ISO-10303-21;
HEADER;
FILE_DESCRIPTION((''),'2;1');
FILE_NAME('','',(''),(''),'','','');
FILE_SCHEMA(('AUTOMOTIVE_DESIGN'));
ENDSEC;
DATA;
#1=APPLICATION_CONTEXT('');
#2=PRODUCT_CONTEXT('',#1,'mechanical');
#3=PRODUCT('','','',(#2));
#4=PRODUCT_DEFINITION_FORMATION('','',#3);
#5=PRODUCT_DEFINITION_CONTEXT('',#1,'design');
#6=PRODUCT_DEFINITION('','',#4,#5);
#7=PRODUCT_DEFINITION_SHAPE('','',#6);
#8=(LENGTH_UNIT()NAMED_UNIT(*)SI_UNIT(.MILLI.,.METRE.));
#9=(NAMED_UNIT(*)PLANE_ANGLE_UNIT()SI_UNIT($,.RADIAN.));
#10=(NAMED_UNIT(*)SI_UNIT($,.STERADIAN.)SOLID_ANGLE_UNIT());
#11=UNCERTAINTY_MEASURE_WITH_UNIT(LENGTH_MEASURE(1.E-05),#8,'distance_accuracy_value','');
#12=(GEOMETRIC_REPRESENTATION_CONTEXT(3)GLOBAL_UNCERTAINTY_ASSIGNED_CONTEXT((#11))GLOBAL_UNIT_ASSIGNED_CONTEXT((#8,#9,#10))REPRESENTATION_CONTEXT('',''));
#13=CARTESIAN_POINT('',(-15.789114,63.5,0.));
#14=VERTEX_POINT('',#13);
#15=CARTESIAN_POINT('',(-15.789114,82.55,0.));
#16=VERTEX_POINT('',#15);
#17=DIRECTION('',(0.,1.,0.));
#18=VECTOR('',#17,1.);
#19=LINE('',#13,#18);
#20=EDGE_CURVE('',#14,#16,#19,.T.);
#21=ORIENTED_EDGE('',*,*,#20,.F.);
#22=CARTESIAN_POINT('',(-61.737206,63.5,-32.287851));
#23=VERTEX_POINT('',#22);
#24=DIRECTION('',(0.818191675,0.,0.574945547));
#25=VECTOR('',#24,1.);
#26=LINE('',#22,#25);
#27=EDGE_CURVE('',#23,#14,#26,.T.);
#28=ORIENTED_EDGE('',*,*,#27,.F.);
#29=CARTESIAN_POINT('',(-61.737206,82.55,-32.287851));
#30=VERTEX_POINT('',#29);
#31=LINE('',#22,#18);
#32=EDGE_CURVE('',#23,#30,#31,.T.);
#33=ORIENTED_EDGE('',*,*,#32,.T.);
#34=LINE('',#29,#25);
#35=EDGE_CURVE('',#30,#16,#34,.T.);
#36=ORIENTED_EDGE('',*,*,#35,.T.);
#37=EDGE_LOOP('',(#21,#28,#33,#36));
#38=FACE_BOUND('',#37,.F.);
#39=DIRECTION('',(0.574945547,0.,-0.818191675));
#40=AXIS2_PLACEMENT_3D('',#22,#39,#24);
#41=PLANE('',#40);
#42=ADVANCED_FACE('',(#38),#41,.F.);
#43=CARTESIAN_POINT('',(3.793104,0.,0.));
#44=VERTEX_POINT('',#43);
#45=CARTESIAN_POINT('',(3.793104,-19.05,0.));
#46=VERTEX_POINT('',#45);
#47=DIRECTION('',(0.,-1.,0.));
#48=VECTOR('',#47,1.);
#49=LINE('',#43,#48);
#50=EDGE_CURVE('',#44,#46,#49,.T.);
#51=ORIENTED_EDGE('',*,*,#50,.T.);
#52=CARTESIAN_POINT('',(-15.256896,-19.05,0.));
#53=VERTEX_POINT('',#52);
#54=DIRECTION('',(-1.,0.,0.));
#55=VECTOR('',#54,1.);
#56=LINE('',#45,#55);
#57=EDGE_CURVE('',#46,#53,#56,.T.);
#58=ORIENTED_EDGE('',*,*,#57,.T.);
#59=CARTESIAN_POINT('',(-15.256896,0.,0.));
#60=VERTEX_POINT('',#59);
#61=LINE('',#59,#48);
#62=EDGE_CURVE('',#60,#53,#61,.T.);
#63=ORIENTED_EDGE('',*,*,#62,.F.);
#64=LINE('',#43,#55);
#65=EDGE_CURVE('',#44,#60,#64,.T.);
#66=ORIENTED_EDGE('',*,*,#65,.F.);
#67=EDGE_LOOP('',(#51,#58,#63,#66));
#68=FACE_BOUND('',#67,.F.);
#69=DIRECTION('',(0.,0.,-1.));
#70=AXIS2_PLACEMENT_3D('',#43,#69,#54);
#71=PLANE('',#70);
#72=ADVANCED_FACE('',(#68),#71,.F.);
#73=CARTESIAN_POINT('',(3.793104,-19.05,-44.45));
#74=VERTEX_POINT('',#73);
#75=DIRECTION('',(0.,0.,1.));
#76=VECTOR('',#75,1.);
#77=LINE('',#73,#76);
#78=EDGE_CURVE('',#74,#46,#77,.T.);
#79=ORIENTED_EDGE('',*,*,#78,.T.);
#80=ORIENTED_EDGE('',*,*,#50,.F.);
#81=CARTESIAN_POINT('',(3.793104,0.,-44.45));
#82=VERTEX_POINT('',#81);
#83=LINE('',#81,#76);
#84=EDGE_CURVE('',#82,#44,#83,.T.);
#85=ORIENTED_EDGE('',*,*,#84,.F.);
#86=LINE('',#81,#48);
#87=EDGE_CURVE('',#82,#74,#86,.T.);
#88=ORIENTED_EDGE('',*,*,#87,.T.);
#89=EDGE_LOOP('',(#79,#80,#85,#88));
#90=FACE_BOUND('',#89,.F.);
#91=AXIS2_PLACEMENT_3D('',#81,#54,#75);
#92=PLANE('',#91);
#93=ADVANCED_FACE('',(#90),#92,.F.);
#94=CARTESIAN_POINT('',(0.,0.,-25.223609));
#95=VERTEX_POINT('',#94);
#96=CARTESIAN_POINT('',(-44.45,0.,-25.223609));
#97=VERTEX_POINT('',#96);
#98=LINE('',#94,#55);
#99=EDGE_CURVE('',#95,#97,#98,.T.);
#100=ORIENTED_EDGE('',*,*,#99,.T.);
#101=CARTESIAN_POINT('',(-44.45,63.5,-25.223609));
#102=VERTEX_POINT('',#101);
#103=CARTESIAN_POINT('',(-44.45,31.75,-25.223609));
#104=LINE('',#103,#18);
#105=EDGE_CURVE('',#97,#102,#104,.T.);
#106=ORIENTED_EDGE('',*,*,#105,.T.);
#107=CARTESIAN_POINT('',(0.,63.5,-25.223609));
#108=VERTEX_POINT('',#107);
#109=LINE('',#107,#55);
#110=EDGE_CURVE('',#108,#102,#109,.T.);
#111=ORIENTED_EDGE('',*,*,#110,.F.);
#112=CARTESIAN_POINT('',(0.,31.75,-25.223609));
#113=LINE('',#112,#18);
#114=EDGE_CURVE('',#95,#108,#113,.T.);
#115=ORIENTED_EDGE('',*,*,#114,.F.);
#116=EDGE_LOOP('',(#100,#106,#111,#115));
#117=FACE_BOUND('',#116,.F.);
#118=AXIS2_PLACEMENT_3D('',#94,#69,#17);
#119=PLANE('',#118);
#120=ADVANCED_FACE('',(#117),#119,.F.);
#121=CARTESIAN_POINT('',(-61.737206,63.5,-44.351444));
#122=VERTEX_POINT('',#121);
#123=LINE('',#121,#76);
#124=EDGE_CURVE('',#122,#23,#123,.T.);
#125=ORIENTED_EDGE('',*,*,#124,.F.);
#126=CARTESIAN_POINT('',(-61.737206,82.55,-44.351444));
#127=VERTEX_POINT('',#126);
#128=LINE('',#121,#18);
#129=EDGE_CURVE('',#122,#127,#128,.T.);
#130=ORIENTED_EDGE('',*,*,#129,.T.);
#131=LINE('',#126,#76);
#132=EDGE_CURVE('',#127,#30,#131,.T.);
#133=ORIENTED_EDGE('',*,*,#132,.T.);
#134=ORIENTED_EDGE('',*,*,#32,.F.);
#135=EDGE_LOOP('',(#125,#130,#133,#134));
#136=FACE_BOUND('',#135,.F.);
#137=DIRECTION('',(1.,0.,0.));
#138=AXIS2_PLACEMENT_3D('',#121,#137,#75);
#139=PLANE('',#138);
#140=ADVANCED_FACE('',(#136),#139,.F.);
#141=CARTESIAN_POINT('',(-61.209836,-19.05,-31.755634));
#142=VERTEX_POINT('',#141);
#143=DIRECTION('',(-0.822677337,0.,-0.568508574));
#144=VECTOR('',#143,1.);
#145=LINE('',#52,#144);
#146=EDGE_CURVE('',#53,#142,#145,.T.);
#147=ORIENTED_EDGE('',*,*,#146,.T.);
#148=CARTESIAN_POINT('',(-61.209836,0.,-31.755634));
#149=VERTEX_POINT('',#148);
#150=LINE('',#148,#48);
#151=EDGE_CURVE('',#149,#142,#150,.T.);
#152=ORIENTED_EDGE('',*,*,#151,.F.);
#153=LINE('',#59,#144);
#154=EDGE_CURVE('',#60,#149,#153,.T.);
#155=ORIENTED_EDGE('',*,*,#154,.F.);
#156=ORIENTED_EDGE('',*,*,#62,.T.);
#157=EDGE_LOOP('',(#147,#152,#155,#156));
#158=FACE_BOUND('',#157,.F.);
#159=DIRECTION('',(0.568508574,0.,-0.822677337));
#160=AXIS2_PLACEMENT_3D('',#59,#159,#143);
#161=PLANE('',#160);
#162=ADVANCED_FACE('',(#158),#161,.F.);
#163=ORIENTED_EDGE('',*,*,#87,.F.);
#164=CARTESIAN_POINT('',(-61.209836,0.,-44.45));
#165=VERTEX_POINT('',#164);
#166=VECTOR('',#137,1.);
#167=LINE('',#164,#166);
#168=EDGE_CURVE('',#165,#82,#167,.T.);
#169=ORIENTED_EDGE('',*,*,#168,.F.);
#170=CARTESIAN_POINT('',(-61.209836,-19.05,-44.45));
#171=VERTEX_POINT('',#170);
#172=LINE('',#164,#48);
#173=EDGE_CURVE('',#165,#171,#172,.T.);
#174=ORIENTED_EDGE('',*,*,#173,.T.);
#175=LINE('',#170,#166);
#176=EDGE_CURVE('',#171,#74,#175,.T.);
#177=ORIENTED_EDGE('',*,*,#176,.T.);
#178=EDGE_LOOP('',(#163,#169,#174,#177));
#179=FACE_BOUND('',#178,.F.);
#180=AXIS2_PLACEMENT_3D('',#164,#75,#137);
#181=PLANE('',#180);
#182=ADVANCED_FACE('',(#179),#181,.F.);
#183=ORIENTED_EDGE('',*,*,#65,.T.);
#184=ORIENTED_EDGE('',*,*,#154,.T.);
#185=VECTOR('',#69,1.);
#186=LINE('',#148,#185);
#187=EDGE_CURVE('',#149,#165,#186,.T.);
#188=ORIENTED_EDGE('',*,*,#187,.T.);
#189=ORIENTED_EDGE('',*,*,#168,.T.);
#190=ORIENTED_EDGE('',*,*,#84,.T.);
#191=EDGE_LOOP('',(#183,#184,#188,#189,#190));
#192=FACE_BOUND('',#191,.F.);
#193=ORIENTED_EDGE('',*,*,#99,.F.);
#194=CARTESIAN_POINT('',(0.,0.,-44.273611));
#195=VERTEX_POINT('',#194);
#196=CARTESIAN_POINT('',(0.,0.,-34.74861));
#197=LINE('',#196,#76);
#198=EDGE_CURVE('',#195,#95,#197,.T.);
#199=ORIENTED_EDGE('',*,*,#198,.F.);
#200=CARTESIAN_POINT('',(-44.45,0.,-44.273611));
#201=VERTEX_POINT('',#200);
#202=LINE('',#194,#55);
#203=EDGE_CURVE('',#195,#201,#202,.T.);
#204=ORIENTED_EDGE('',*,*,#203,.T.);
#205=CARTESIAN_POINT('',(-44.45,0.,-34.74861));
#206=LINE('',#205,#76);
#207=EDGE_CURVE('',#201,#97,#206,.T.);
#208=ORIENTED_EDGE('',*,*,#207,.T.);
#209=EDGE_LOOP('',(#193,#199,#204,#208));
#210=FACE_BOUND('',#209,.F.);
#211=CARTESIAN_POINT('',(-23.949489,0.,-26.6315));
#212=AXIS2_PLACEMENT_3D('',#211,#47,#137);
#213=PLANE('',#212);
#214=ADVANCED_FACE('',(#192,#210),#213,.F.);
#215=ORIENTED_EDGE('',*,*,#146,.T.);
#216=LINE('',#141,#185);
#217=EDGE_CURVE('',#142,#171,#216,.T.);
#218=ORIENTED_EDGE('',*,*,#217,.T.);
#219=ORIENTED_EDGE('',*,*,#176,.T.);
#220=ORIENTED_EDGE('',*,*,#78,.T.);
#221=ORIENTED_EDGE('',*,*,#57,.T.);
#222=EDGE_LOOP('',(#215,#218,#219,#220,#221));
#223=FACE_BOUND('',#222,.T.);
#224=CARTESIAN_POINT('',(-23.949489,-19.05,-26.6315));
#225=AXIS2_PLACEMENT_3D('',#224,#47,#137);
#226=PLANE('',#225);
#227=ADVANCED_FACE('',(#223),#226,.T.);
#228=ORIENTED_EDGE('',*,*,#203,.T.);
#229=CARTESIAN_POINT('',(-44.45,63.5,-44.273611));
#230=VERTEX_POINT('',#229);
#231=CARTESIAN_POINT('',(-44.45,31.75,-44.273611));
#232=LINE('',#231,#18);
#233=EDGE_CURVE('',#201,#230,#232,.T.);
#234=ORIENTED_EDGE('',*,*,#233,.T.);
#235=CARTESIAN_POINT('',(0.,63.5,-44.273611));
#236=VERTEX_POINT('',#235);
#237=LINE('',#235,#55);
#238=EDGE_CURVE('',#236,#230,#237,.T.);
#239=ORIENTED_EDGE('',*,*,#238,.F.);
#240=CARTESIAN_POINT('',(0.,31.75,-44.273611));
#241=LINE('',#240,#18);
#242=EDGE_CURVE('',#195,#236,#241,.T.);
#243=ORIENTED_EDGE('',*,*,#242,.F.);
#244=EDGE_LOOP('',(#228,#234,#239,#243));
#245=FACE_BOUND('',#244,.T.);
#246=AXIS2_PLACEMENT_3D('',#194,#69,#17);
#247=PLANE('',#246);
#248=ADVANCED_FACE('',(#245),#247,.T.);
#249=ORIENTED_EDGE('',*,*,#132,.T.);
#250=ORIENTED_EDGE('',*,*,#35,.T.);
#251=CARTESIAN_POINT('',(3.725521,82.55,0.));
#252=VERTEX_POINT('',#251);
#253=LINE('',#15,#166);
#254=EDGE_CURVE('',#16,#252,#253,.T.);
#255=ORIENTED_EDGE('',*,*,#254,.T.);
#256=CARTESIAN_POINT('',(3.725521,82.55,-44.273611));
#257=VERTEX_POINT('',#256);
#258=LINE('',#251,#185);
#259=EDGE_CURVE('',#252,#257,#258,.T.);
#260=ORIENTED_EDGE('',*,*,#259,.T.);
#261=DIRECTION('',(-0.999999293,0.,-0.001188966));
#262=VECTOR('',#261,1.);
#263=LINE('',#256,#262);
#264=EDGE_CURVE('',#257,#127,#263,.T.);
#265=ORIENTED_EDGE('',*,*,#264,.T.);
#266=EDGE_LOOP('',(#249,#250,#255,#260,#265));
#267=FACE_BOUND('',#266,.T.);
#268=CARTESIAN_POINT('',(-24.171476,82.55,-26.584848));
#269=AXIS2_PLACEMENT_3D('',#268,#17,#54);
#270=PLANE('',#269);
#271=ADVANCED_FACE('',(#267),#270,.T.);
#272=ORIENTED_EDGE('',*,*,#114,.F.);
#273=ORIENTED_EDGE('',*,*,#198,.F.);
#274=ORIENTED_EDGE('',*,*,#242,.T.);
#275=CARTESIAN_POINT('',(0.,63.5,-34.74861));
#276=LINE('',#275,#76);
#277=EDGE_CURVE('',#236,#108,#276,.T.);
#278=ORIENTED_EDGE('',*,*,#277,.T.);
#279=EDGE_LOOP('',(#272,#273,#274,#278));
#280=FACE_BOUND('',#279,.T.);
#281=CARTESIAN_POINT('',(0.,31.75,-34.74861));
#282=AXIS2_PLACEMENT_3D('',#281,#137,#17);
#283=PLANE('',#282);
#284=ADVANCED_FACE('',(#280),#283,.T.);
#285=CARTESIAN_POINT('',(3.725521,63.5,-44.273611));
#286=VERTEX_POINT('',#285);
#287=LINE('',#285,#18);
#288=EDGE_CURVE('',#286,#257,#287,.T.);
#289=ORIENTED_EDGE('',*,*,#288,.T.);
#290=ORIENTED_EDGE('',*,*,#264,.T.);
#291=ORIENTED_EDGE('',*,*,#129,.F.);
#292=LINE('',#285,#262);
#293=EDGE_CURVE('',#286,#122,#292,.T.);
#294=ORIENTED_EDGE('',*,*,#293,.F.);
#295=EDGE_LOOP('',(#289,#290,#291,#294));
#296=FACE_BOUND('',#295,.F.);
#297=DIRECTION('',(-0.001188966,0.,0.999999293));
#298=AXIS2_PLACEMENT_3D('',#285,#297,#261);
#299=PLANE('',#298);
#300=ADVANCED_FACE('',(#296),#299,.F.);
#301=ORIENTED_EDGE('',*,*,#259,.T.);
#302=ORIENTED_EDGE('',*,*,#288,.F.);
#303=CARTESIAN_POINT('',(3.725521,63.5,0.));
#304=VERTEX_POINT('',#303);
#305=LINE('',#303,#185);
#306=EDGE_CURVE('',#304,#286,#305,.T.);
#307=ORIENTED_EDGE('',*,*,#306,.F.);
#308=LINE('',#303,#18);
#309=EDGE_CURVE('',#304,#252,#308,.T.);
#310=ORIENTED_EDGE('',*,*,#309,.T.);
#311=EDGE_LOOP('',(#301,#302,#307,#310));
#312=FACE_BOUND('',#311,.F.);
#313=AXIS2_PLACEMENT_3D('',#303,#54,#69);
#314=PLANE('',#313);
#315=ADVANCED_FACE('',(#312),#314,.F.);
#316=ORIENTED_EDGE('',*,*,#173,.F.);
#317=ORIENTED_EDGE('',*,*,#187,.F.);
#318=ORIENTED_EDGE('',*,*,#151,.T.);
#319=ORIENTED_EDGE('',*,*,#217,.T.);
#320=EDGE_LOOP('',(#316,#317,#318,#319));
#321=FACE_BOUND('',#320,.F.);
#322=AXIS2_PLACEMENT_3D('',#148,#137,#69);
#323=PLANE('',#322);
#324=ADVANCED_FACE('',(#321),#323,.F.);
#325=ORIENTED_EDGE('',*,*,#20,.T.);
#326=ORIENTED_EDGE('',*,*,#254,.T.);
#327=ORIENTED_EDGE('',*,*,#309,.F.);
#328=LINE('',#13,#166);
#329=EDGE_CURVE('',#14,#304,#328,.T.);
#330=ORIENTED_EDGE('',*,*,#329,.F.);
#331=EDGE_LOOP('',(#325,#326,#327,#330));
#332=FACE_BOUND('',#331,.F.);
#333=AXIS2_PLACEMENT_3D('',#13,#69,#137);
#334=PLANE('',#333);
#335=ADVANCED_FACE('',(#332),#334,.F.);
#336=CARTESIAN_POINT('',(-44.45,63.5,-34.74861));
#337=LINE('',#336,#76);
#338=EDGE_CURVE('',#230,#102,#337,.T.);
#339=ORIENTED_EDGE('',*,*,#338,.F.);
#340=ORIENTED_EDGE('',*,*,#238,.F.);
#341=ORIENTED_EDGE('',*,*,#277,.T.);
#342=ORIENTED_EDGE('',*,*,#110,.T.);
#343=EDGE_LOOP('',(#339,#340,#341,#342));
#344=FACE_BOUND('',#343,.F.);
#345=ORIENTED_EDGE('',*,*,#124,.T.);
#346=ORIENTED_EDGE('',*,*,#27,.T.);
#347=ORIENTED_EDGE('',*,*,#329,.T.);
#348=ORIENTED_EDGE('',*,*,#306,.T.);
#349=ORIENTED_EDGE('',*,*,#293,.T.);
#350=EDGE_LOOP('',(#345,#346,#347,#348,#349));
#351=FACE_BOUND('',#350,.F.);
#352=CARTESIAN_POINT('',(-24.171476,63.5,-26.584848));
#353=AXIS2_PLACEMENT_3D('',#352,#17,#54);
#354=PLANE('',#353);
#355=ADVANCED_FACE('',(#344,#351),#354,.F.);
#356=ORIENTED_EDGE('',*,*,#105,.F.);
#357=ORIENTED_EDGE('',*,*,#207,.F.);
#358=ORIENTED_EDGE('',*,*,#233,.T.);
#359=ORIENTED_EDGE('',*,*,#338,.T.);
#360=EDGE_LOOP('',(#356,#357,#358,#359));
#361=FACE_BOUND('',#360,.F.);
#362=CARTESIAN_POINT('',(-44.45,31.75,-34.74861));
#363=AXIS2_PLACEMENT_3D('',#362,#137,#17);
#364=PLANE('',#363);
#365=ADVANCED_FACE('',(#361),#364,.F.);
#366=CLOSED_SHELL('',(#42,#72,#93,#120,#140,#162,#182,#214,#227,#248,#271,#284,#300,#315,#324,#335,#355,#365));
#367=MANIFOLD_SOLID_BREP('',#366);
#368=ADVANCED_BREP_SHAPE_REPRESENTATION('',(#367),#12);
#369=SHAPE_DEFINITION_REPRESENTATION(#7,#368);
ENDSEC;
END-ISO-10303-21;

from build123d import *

# Parameters (mm, degrees)
F1_DEPTH = 19.05
F2_W     = 63.5
F2_H     = 19.050002
F3_DEPTH = 44.45
F5_DEPTH = 19.05


with BuildPart() as f1:
    # F0 (on Front) → F1 (new body)
    with BuildSketch(Plane.XZ):
        Polygon((-61.209836, -31.755634), (-61.209836, -44.45), (3.793104, -44.45), (3.793104, 0), (-15.256896, 0), align=None)
    extrude(amount=F1_DEPTH)

    # F2 (on Right) → F3 (join)
    with BuildSketch(Plane.YZ):
        with Locations((31.75, -34.74861)):
            Rectangle(F2_W, F2_H)
    extrude(amount=-F3_DEPTH)

    # F4 (on face) → F5 (join)
    with BuildSketch(Plane(origin=(0, 63.5, 0), x_dir=(-1, 0, 0), z_dir=(0, 1, 0))):
        Polygon((-3.725521, 0), (-3.725521, -44.273611), (61.737206, -44.351444), (61.737206, -32.287851), (15.789114, 0), align=None)
    extrude(amount=F5_DEPTH)


solid = f1.part
